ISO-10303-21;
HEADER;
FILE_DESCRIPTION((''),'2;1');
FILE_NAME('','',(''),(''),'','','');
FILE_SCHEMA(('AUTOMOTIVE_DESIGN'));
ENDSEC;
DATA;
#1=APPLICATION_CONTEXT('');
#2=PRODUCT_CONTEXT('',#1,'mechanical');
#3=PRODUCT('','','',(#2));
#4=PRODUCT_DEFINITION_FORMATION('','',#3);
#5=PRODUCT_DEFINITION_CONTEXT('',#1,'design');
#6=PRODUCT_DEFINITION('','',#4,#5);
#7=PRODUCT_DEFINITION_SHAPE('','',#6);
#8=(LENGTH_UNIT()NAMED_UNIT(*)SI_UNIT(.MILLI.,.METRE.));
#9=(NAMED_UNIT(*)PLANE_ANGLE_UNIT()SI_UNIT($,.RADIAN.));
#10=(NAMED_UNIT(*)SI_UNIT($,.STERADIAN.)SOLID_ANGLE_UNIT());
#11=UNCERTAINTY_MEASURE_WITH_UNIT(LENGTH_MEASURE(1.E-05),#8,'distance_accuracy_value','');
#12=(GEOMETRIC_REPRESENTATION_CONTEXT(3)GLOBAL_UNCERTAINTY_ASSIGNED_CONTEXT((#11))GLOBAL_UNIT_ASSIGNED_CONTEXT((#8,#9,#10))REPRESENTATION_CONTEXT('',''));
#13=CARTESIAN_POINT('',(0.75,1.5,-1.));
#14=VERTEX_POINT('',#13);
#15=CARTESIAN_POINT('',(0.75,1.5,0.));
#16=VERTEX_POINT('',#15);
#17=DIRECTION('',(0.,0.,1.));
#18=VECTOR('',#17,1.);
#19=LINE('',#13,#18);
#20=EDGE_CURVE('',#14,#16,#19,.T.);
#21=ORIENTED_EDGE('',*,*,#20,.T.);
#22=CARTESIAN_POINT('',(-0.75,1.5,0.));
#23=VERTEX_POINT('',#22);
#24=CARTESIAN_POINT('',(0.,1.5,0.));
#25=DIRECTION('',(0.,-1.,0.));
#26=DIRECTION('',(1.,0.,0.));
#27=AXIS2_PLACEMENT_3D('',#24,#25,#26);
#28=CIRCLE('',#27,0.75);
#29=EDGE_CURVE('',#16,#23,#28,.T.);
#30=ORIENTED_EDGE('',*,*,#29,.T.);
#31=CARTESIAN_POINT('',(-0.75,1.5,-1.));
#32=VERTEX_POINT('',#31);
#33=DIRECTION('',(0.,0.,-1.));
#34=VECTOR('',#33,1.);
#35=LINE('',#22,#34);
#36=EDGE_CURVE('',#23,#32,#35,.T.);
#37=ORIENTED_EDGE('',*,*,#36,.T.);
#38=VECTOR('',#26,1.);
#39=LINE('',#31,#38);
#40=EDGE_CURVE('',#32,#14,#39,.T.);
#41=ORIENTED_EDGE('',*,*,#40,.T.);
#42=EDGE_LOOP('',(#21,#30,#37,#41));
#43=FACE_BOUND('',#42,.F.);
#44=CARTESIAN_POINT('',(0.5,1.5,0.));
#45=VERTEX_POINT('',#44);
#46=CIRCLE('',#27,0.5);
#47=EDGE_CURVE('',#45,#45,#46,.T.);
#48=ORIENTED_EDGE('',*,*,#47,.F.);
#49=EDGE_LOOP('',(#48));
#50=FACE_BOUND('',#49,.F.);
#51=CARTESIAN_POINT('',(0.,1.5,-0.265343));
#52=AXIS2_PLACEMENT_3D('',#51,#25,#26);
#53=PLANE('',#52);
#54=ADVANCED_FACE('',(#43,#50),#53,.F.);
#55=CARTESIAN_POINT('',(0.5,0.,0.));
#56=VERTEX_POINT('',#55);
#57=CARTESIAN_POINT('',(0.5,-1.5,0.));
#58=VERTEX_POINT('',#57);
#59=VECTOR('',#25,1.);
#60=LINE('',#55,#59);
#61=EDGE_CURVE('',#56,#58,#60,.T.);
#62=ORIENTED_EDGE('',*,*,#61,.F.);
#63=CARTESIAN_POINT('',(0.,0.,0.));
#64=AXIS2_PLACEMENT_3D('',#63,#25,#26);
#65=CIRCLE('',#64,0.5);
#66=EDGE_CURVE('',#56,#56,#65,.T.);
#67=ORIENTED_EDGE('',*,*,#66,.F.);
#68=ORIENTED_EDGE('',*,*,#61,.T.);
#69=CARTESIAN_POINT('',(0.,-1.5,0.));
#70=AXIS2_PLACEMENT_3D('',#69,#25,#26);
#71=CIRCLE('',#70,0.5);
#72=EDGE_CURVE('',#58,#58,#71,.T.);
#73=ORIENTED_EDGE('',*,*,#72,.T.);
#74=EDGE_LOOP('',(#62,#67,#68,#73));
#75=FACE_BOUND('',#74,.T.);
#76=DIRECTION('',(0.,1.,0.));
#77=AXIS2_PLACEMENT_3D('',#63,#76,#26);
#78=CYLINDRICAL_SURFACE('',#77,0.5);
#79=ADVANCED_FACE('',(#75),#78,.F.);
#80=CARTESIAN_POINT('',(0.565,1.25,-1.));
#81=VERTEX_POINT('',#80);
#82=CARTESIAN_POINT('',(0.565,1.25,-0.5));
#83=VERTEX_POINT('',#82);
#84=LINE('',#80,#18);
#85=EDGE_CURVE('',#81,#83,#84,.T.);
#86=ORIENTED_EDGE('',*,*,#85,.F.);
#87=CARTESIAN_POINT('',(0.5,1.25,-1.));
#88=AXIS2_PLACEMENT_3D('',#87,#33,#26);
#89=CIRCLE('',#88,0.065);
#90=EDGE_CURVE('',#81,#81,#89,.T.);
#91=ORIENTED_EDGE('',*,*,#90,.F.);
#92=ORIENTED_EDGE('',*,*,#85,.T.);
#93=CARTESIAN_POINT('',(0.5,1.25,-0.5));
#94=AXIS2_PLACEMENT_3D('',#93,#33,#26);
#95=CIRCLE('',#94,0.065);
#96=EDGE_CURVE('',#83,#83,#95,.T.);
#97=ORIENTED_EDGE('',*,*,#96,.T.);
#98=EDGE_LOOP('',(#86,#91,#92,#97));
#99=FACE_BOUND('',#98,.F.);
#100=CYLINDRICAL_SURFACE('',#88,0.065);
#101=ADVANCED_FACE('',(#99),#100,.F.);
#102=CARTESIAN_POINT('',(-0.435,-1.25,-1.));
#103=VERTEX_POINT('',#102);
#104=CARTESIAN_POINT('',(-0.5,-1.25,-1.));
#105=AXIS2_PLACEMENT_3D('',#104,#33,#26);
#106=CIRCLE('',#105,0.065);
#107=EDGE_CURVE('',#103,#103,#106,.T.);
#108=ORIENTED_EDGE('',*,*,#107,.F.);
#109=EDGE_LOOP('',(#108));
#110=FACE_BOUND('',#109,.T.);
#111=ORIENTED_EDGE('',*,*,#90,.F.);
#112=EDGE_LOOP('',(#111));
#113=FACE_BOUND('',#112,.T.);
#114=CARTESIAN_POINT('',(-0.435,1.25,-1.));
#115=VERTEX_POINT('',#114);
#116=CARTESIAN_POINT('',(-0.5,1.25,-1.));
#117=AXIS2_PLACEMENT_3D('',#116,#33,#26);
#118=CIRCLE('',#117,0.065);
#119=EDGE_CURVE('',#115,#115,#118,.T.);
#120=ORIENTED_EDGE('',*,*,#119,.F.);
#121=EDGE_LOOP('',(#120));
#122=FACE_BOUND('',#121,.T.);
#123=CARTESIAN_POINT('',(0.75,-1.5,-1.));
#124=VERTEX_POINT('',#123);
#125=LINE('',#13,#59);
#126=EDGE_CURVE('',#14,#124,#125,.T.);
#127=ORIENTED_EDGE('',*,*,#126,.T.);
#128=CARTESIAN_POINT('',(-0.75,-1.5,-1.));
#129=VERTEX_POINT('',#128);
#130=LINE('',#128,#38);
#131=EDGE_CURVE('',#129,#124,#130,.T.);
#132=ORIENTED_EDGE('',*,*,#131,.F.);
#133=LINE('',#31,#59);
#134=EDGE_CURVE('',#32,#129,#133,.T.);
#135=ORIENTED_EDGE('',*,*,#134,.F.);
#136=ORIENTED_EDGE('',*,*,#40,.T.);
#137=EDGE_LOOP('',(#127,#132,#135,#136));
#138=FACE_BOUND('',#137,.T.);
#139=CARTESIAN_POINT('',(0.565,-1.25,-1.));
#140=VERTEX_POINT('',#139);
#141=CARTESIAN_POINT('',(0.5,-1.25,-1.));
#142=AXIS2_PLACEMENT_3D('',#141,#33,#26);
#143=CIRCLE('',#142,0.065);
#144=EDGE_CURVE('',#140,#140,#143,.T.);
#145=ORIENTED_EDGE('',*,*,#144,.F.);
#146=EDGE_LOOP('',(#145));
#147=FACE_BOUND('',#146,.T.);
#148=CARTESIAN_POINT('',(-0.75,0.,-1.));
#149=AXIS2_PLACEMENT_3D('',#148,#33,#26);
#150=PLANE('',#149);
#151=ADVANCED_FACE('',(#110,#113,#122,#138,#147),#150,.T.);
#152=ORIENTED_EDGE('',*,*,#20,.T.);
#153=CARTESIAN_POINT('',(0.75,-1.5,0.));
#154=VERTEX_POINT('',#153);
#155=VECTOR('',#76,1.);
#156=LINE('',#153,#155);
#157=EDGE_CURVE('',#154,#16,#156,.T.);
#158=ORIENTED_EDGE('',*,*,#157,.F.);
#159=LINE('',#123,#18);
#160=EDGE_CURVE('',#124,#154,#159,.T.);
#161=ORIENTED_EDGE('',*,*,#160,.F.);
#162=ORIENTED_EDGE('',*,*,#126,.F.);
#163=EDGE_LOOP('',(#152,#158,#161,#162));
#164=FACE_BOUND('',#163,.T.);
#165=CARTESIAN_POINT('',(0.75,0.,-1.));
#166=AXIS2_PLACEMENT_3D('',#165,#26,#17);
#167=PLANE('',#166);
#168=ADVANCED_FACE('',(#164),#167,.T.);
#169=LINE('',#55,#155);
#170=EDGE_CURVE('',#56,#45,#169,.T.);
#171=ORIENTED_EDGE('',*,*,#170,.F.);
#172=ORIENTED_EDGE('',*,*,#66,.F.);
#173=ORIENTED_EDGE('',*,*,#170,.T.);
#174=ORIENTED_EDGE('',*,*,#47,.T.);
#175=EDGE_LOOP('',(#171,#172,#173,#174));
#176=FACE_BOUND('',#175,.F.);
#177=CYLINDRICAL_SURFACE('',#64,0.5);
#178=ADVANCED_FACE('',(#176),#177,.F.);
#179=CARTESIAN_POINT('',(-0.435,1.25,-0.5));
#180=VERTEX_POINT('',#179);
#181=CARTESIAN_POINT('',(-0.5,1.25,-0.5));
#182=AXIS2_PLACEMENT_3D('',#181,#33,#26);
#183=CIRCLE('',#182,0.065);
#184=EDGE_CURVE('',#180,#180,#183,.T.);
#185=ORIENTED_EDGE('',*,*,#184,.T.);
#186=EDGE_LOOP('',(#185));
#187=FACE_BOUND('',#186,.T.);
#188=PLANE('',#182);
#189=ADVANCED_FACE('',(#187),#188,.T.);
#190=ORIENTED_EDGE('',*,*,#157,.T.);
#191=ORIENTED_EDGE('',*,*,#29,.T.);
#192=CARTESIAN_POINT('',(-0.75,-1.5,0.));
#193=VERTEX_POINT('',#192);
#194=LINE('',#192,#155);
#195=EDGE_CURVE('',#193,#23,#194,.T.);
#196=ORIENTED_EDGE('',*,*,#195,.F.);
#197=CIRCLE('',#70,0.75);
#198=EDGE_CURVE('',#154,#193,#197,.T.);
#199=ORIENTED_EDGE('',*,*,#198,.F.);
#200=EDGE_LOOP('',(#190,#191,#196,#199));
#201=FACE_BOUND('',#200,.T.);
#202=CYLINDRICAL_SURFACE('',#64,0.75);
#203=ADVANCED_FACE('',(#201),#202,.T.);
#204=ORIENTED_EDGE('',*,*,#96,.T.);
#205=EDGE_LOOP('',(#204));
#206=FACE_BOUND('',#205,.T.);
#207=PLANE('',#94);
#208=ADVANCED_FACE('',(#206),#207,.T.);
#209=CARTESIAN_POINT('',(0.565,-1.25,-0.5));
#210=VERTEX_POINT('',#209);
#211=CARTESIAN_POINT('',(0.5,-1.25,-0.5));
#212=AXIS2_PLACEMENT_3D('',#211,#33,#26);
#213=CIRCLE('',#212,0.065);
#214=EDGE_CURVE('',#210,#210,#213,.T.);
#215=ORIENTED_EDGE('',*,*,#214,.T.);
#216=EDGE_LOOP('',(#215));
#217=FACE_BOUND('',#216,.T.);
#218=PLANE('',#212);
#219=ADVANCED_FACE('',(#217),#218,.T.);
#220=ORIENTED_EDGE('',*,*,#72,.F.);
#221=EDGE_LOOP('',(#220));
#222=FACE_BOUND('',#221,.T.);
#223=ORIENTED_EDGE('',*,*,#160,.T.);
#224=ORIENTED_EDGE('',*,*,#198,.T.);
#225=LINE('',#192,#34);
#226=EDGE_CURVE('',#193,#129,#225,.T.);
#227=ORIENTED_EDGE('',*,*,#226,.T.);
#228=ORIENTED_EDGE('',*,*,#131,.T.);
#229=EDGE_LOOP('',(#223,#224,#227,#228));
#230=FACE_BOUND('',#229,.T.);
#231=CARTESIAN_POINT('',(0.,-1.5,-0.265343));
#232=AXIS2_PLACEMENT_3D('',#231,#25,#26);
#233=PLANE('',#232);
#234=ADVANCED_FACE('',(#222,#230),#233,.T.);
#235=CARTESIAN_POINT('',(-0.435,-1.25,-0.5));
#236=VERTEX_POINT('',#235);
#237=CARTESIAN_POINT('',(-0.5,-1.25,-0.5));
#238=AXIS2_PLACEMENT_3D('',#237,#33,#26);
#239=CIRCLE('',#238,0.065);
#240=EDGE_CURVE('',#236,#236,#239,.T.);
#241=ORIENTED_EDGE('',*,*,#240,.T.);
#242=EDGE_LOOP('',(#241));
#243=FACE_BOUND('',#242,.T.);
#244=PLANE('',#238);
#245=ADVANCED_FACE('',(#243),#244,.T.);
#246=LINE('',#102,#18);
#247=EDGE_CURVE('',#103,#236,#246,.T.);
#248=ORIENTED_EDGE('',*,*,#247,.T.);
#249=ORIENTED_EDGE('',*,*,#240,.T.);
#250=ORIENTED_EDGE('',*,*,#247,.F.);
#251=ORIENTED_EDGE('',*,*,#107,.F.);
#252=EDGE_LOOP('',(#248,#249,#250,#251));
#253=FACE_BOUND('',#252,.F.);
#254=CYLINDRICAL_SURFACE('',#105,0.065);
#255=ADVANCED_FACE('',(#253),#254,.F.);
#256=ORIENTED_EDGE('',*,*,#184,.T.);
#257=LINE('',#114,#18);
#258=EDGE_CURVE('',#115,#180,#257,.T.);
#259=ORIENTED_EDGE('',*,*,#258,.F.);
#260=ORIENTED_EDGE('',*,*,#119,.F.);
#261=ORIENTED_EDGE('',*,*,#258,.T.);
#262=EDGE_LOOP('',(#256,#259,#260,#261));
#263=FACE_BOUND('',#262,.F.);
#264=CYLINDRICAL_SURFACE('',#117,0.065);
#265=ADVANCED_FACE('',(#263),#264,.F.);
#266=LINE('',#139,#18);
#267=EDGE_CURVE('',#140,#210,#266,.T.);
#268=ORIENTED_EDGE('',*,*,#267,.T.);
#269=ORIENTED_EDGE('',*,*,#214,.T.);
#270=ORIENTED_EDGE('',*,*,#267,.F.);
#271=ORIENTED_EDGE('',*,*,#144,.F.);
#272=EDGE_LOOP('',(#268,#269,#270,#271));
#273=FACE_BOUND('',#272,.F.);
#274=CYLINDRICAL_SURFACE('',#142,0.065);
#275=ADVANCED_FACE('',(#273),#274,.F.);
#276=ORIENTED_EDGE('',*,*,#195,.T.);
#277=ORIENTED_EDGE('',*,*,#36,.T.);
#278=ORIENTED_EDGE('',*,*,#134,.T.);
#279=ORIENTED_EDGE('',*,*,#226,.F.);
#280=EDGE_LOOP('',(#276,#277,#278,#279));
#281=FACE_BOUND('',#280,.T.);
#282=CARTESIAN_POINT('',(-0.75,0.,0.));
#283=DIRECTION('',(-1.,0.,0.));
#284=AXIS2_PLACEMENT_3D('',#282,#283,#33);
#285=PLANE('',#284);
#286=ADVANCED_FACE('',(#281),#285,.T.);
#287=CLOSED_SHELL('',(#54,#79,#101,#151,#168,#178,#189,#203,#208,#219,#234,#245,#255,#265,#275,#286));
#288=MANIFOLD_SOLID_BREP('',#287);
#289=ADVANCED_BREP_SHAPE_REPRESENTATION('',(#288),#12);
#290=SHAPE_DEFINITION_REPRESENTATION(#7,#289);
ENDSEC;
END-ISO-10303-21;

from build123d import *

# Parameters (mm, degrees)
F0_R          = 0.5
F1_DEPTH      = 1.5
F1_DEPTH_BACK = 1.5
F2_R          = 0.065
F3_DEPTH      = 0.5


with BuildPart() as f1:
    # F0 (on Front) → F1 (new body, two sides)
    with BuildSketch(Plane.XZ) as f1_sk:
        with BuildLine():
            Line((-0.75, 0), (-0.75, -1))
            Line((-0.75, -1), (0.75, -1))
            Line((0.75, -1), (0.75, 0))
            ThreePointArc((0.75, 0), (0, 0.75), (-0.75, 0))
        make_face()
        Circle(F0_R, mode=Mode.SUBTRACT)
    extrude(amount=F1_DEPTH)
    extrude(f1_sk.sketch, amount=-F1_DEPTH_BACK)

    # F2 (on face) → F3 (cut)
    with BuildSketch(Plane(origin=(0, 0, -1), x_dir=(1, 0, 0), z_dir=(0, 0, -1))):
        with Locations((-0.5, -1.25)):
            Circle(F2_R)
        with Locations((0.5, -1.25)):
            Circle(F2_R)
        with Locations((0.5, 1.25)):
            Circle(F2_R)
        with Locations((-0.5, 1.25)):
            Circle(F2_R)
    extrude(amount=-F3_DEPTH, mode=Mode.SUBTRACT)


solid = f1.part
